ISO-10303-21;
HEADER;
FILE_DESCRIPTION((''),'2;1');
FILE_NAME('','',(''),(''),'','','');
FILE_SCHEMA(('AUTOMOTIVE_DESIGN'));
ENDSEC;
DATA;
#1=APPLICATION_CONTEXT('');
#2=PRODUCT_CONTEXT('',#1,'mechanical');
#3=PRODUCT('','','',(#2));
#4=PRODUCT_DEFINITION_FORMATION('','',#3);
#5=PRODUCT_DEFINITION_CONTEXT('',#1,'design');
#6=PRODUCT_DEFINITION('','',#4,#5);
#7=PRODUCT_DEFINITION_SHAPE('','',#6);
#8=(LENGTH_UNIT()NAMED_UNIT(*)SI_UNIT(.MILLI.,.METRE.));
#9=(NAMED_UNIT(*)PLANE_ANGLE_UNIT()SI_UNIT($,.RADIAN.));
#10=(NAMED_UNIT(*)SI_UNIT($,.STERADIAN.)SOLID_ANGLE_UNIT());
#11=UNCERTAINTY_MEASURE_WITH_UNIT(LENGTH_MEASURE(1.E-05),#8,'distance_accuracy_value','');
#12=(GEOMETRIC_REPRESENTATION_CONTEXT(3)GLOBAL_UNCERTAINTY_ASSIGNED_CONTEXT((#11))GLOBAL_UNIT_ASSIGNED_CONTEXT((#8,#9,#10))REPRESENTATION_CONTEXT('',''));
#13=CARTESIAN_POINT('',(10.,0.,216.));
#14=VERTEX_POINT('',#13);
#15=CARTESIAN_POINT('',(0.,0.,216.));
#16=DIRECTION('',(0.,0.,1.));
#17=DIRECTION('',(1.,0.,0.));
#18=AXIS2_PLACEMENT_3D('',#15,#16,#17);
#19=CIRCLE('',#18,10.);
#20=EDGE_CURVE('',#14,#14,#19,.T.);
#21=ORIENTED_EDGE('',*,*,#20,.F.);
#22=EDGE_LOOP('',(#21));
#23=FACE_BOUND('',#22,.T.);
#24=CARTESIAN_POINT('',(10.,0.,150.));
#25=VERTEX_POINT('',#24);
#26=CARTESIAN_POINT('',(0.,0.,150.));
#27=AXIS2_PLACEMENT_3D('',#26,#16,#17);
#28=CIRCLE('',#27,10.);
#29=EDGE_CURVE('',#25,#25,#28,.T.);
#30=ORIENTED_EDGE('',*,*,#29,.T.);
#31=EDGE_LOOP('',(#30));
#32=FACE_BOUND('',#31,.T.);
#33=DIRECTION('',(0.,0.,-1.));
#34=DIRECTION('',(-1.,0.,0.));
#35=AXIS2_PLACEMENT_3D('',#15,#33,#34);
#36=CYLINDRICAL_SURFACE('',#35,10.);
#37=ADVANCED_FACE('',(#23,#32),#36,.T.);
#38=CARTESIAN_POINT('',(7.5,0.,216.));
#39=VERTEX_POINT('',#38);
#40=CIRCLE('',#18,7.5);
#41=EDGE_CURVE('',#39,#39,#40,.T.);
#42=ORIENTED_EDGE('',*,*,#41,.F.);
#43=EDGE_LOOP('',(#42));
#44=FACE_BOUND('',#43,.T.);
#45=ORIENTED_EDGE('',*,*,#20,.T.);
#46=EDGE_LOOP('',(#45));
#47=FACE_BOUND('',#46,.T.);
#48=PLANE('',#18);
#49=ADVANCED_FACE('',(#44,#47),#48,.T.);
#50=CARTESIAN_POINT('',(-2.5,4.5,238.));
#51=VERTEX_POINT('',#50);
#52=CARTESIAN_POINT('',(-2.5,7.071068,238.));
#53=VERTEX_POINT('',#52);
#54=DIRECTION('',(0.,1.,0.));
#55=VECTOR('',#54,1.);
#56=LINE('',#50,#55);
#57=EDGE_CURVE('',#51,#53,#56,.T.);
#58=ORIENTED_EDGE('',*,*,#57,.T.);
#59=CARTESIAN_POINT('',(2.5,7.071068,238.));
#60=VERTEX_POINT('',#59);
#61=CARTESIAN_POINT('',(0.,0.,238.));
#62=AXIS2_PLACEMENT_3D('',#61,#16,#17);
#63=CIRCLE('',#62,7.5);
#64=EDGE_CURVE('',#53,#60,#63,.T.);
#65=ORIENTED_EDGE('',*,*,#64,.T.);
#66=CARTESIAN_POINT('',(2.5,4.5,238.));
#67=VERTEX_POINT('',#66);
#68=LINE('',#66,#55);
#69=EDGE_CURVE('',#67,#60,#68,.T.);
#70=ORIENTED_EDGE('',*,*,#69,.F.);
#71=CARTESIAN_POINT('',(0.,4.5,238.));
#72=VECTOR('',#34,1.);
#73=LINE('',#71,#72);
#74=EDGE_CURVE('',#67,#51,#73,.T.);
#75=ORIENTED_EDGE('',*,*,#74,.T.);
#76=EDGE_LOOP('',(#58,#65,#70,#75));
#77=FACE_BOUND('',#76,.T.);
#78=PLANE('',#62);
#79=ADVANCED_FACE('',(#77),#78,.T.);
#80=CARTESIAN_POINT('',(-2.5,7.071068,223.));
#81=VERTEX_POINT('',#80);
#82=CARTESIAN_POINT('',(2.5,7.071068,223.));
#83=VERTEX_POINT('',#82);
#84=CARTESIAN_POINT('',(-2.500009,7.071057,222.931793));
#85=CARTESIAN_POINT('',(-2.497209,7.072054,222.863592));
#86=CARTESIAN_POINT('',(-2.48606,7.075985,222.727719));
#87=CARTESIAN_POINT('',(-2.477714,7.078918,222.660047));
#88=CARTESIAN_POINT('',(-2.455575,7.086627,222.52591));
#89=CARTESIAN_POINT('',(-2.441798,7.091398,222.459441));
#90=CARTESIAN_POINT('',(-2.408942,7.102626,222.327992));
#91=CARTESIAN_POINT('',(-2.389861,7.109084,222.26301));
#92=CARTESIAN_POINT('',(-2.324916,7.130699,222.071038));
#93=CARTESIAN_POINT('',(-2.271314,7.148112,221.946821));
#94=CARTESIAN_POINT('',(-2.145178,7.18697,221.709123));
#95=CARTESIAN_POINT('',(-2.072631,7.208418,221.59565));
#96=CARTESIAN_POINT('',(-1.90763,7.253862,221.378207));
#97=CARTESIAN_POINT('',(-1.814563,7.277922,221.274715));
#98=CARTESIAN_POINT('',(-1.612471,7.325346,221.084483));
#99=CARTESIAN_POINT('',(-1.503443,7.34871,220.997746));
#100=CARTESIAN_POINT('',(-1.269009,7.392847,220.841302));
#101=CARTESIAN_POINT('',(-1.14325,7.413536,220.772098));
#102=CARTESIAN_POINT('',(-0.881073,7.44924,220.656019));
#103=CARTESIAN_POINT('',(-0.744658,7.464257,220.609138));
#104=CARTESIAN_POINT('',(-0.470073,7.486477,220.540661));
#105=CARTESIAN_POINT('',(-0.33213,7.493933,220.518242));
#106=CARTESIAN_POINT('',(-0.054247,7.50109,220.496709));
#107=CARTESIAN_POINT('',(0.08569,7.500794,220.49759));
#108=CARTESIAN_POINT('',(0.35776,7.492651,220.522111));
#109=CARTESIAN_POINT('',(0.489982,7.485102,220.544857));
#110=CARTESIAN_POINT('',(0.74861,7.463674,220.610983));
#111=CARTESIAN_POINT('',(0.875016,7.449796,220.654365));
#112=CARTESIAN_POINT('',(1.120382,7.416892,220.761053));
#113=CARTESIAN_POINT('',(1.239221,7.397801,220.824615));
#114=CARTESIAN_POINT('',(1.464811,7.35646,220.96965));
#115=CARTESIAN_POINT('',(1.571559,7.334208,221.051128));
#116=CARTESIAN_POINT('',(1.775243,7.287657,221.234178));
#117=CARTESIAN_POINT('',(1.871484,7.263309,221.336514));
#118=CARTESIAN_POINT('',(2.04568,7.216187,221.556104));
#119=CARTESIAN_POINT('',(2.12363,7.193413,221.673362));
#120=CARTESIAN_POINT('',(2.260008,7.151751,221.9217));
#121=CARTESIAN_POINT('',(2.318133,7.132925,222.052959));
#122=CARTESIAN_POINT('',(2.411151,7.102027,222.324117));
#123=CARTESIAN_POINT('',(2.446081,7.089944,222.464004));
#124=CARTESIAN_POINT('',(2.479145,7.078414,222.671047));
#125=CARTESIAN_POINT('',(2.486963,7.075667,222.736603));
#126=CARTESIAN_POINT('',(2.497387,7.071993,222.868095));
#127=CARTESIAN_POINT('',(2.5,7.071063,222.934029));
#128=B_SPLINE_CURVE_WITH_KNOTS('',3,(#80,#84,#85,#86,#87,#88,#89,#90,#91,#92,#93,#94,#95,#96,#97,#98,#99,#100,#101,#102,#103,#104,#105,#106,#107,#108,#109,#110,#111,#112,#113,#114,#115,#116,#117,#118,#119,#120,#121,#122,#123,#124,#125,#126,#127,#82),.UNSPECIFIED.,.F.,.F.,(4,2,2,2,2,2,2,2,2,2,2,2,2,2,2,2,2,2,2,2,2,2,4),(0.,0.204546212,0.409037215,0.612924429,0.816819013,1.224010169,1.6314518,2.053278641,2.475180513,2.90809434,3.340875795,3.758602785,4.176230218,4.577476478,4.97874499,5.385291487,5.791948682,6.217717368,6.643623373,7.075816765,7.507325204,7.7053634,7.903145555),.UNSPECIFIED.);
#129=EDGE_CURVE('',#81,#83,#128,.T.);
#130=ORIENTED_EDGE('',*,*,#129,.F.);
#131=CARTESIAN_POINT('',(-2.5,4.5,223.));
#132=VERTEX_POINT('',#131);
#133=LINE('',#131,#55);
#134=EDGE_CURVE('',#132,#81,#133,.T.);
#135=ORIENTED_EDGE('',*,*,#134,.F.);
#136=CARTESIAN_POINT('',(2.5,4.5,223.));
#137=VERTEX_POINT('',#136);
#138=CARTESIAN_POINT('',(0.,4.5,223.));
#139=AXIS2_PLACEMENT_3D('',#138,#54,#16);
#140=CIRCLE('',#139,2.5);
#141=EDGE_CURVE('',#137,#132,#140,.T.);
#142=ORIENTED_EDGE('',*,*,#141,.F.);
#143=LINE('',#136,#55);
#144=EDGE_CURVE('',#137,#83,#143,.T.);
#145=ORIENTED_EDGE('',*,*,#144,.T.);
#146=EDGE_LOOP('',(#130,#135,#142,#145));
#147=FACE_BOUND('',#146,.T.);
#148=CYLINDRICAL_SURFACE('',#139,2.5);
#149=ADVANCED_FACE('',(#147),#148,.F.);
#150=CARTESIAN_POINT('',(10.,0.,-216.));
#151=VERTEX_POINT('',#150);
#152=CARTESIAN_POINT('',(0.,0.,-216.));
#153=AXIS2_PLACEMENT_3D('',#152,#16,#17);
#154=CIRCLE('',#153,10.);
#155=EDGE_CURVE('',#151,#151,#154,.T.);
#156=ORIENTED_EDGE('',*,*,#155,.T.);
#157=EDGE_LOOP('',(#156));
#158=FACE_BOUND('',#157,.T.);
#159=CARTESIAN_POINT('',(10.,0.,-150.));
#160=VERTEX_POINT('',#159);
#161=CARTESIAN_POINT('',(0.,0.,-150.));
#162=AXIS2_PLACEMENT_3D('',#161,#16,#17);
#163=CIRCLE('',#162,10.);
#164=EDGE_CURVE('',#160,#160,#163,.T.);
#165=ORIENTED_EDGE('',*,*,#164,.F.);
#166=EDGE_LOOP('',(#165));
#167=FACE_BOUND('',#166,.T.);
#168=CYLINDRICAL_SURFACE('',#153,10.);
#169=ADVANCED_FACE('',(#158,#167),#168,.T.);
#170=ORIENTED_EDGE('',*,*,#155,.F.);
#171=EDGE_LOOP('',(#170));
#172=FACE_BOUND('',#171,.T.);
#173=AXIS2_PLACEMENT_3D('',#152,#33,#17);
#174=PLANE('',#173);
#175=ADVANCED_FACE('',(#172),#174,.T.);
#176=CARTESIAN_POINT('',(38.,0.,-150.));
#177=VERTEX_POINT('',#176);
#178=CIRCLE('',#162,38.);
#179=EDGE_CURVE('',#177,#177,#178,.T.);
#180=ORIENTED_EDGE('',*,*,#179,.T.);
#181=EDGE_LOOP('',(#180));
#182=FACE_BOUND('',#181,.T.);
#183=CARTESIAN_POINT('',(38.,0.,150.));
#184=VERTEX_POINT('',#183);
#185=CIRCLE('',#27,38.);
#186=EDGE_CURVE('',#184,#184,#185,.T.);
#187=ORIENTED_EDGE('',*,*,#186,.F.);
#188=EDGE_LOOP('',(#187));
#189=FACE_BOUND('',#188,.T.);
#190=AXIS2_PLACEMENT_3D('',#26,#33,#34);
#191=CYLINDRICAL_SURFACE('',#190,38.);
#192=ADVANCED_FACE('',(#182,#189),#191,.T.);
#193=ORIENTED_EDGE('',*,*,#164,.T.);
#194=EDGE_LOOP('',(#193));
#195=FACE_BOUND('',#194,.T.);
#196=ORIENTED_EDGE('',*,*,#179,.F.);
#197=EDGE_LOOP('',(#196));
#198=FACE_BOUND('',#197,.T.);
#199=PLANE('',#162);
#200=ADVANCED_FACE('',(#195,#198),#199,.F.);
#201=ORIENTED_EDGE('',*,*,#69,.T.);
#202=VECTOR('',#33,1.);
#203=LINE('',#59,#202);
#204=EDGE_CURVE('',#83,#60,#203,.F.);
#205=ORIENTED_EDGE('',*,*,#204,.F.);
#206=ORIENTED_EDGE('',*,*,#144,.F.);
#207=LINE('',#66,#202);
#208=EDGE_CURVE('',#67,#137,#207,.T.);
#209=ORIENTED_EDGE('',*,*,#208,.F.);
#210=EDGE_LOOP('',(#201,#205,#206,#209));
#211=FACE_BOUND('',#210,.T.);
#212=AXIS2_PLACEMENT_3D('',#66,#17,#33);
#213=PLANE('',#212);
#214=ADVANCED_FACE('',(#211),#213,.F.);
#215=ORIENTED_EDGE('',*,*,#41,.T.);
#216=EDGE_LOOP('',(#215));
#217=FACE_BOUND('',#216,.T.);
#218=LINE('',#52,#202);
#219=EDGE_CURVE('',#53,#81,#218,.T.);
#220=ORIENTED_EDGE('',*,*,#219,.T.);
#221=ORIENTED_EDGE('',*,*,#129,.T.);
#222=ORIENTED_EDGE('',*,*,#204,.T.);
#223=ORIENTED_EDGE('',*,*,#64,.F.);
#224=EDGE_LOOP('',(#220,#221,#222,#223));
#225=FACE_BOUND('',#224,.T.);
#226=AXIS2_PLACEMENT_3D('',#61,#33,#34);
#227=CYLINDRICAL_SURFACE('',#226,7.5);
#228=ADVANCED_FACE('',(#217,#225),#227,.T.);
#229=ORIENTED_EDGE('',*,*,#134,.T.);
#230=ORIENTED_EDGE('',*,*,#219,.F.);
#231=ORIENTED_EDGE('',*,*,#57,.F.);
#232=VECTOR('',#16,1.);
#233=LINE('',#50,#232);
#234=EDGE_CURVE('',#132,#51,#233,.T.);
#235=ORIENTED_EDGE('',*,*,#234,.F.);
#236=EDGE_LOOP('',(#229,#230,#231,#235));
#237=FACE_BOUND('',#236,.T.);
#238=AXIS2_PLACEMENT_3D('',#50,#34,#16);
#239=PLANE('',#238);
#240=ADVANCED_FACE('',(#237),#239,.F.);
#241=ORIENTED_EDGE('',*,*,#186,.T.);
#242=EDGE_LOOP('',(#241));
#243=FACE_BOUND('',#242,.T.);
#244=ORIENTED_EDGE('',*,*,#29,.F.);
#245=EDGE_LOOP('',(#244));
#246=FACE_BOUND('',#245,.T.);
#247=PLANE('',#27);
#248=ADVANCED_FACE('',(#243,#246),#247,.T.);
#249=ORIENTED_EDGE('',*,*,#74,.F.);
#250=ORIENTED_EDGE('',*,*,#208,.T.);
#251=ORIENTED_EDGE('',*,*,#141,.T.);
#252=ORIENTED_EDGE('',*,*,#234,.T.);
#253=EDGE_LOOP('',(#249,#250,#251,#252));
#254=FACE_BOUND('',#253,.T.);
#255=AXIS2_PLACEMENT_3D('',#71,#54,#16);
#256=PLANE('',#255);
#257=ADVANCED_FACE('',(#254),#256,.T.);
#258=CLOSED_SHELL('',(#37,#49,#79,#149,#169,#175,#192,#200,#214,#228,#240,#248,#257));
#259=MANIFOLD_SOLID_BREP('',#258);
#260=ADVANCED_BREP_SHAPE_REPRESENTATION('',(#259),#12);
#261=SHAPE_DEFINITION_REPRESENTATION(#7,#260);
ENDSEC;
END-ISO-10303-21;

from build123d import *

# Parameters (mm, degrees)
SKETCH_1_R          = 38
EXTRUDE_1_DEPTH     = 150
SKETCH_2_R          = 10
EXTRUDE_2_DEPTH     = 66
SKETCH_3_R          = 7.5
EXTRUDE_3_DEPTH     = 22
CUT_EXTRUDE_START   = 7.5
CUT_EXTRUDE_1_DEPTH = 3


with BuildPart() as part:
    # 草图1 → 凸台-拉伸1 (new, symmetric)
    with BuildSketch(Plane.XY):
        Circle(SKETCH_1_R)
    extrude(amount=EXTRUDE_1_DEPTH, both=True)

    # 草图2 → 凸台-拉伸2 (add)
    with BuildSketch(Plane.XY.offset(150)):
        Circle(SKETCH_2_R)
    extrude_2 = extrude(amount=EXTRUDE_2_DEPTH)

    # 镜向1: 凸台-拉伸2 across plane
    add(extrude_2.mirror(Plane.XY))

    # 草图3 → 凸台-拉伸3 (add)
    with BuildSketch(Plane.XY.offset(216)):
        Circle(SKETCH_3_R)
    extrude(amount=EXTRUDE_3_DEPTH)

    # 草图4 → 切除-拉伸1 (cut)
    with BuildSketch(Plane(origin=(0, 0, 0), x_dir=(1, 0, 0), z_dir=(0, 1, 0)).offset(CUT_EXTRUDE_START)):
        with BuildLine():
            Line((-2.5, -238), (-2.5, -223))
            ThreePointArc((-2.5, -223), (0, -220.5), (2.5, -223))
            Line((2.5, -223), (2.5, -238))
            ThreePointArc((2.5, -238), (0, -240.5), (-2.5, -238))
        make_face()
    extrude(amount=-CUT_EXTRUDE_1_DEPTH, mode=Mode.SUBTRACT)


solid = part.part
